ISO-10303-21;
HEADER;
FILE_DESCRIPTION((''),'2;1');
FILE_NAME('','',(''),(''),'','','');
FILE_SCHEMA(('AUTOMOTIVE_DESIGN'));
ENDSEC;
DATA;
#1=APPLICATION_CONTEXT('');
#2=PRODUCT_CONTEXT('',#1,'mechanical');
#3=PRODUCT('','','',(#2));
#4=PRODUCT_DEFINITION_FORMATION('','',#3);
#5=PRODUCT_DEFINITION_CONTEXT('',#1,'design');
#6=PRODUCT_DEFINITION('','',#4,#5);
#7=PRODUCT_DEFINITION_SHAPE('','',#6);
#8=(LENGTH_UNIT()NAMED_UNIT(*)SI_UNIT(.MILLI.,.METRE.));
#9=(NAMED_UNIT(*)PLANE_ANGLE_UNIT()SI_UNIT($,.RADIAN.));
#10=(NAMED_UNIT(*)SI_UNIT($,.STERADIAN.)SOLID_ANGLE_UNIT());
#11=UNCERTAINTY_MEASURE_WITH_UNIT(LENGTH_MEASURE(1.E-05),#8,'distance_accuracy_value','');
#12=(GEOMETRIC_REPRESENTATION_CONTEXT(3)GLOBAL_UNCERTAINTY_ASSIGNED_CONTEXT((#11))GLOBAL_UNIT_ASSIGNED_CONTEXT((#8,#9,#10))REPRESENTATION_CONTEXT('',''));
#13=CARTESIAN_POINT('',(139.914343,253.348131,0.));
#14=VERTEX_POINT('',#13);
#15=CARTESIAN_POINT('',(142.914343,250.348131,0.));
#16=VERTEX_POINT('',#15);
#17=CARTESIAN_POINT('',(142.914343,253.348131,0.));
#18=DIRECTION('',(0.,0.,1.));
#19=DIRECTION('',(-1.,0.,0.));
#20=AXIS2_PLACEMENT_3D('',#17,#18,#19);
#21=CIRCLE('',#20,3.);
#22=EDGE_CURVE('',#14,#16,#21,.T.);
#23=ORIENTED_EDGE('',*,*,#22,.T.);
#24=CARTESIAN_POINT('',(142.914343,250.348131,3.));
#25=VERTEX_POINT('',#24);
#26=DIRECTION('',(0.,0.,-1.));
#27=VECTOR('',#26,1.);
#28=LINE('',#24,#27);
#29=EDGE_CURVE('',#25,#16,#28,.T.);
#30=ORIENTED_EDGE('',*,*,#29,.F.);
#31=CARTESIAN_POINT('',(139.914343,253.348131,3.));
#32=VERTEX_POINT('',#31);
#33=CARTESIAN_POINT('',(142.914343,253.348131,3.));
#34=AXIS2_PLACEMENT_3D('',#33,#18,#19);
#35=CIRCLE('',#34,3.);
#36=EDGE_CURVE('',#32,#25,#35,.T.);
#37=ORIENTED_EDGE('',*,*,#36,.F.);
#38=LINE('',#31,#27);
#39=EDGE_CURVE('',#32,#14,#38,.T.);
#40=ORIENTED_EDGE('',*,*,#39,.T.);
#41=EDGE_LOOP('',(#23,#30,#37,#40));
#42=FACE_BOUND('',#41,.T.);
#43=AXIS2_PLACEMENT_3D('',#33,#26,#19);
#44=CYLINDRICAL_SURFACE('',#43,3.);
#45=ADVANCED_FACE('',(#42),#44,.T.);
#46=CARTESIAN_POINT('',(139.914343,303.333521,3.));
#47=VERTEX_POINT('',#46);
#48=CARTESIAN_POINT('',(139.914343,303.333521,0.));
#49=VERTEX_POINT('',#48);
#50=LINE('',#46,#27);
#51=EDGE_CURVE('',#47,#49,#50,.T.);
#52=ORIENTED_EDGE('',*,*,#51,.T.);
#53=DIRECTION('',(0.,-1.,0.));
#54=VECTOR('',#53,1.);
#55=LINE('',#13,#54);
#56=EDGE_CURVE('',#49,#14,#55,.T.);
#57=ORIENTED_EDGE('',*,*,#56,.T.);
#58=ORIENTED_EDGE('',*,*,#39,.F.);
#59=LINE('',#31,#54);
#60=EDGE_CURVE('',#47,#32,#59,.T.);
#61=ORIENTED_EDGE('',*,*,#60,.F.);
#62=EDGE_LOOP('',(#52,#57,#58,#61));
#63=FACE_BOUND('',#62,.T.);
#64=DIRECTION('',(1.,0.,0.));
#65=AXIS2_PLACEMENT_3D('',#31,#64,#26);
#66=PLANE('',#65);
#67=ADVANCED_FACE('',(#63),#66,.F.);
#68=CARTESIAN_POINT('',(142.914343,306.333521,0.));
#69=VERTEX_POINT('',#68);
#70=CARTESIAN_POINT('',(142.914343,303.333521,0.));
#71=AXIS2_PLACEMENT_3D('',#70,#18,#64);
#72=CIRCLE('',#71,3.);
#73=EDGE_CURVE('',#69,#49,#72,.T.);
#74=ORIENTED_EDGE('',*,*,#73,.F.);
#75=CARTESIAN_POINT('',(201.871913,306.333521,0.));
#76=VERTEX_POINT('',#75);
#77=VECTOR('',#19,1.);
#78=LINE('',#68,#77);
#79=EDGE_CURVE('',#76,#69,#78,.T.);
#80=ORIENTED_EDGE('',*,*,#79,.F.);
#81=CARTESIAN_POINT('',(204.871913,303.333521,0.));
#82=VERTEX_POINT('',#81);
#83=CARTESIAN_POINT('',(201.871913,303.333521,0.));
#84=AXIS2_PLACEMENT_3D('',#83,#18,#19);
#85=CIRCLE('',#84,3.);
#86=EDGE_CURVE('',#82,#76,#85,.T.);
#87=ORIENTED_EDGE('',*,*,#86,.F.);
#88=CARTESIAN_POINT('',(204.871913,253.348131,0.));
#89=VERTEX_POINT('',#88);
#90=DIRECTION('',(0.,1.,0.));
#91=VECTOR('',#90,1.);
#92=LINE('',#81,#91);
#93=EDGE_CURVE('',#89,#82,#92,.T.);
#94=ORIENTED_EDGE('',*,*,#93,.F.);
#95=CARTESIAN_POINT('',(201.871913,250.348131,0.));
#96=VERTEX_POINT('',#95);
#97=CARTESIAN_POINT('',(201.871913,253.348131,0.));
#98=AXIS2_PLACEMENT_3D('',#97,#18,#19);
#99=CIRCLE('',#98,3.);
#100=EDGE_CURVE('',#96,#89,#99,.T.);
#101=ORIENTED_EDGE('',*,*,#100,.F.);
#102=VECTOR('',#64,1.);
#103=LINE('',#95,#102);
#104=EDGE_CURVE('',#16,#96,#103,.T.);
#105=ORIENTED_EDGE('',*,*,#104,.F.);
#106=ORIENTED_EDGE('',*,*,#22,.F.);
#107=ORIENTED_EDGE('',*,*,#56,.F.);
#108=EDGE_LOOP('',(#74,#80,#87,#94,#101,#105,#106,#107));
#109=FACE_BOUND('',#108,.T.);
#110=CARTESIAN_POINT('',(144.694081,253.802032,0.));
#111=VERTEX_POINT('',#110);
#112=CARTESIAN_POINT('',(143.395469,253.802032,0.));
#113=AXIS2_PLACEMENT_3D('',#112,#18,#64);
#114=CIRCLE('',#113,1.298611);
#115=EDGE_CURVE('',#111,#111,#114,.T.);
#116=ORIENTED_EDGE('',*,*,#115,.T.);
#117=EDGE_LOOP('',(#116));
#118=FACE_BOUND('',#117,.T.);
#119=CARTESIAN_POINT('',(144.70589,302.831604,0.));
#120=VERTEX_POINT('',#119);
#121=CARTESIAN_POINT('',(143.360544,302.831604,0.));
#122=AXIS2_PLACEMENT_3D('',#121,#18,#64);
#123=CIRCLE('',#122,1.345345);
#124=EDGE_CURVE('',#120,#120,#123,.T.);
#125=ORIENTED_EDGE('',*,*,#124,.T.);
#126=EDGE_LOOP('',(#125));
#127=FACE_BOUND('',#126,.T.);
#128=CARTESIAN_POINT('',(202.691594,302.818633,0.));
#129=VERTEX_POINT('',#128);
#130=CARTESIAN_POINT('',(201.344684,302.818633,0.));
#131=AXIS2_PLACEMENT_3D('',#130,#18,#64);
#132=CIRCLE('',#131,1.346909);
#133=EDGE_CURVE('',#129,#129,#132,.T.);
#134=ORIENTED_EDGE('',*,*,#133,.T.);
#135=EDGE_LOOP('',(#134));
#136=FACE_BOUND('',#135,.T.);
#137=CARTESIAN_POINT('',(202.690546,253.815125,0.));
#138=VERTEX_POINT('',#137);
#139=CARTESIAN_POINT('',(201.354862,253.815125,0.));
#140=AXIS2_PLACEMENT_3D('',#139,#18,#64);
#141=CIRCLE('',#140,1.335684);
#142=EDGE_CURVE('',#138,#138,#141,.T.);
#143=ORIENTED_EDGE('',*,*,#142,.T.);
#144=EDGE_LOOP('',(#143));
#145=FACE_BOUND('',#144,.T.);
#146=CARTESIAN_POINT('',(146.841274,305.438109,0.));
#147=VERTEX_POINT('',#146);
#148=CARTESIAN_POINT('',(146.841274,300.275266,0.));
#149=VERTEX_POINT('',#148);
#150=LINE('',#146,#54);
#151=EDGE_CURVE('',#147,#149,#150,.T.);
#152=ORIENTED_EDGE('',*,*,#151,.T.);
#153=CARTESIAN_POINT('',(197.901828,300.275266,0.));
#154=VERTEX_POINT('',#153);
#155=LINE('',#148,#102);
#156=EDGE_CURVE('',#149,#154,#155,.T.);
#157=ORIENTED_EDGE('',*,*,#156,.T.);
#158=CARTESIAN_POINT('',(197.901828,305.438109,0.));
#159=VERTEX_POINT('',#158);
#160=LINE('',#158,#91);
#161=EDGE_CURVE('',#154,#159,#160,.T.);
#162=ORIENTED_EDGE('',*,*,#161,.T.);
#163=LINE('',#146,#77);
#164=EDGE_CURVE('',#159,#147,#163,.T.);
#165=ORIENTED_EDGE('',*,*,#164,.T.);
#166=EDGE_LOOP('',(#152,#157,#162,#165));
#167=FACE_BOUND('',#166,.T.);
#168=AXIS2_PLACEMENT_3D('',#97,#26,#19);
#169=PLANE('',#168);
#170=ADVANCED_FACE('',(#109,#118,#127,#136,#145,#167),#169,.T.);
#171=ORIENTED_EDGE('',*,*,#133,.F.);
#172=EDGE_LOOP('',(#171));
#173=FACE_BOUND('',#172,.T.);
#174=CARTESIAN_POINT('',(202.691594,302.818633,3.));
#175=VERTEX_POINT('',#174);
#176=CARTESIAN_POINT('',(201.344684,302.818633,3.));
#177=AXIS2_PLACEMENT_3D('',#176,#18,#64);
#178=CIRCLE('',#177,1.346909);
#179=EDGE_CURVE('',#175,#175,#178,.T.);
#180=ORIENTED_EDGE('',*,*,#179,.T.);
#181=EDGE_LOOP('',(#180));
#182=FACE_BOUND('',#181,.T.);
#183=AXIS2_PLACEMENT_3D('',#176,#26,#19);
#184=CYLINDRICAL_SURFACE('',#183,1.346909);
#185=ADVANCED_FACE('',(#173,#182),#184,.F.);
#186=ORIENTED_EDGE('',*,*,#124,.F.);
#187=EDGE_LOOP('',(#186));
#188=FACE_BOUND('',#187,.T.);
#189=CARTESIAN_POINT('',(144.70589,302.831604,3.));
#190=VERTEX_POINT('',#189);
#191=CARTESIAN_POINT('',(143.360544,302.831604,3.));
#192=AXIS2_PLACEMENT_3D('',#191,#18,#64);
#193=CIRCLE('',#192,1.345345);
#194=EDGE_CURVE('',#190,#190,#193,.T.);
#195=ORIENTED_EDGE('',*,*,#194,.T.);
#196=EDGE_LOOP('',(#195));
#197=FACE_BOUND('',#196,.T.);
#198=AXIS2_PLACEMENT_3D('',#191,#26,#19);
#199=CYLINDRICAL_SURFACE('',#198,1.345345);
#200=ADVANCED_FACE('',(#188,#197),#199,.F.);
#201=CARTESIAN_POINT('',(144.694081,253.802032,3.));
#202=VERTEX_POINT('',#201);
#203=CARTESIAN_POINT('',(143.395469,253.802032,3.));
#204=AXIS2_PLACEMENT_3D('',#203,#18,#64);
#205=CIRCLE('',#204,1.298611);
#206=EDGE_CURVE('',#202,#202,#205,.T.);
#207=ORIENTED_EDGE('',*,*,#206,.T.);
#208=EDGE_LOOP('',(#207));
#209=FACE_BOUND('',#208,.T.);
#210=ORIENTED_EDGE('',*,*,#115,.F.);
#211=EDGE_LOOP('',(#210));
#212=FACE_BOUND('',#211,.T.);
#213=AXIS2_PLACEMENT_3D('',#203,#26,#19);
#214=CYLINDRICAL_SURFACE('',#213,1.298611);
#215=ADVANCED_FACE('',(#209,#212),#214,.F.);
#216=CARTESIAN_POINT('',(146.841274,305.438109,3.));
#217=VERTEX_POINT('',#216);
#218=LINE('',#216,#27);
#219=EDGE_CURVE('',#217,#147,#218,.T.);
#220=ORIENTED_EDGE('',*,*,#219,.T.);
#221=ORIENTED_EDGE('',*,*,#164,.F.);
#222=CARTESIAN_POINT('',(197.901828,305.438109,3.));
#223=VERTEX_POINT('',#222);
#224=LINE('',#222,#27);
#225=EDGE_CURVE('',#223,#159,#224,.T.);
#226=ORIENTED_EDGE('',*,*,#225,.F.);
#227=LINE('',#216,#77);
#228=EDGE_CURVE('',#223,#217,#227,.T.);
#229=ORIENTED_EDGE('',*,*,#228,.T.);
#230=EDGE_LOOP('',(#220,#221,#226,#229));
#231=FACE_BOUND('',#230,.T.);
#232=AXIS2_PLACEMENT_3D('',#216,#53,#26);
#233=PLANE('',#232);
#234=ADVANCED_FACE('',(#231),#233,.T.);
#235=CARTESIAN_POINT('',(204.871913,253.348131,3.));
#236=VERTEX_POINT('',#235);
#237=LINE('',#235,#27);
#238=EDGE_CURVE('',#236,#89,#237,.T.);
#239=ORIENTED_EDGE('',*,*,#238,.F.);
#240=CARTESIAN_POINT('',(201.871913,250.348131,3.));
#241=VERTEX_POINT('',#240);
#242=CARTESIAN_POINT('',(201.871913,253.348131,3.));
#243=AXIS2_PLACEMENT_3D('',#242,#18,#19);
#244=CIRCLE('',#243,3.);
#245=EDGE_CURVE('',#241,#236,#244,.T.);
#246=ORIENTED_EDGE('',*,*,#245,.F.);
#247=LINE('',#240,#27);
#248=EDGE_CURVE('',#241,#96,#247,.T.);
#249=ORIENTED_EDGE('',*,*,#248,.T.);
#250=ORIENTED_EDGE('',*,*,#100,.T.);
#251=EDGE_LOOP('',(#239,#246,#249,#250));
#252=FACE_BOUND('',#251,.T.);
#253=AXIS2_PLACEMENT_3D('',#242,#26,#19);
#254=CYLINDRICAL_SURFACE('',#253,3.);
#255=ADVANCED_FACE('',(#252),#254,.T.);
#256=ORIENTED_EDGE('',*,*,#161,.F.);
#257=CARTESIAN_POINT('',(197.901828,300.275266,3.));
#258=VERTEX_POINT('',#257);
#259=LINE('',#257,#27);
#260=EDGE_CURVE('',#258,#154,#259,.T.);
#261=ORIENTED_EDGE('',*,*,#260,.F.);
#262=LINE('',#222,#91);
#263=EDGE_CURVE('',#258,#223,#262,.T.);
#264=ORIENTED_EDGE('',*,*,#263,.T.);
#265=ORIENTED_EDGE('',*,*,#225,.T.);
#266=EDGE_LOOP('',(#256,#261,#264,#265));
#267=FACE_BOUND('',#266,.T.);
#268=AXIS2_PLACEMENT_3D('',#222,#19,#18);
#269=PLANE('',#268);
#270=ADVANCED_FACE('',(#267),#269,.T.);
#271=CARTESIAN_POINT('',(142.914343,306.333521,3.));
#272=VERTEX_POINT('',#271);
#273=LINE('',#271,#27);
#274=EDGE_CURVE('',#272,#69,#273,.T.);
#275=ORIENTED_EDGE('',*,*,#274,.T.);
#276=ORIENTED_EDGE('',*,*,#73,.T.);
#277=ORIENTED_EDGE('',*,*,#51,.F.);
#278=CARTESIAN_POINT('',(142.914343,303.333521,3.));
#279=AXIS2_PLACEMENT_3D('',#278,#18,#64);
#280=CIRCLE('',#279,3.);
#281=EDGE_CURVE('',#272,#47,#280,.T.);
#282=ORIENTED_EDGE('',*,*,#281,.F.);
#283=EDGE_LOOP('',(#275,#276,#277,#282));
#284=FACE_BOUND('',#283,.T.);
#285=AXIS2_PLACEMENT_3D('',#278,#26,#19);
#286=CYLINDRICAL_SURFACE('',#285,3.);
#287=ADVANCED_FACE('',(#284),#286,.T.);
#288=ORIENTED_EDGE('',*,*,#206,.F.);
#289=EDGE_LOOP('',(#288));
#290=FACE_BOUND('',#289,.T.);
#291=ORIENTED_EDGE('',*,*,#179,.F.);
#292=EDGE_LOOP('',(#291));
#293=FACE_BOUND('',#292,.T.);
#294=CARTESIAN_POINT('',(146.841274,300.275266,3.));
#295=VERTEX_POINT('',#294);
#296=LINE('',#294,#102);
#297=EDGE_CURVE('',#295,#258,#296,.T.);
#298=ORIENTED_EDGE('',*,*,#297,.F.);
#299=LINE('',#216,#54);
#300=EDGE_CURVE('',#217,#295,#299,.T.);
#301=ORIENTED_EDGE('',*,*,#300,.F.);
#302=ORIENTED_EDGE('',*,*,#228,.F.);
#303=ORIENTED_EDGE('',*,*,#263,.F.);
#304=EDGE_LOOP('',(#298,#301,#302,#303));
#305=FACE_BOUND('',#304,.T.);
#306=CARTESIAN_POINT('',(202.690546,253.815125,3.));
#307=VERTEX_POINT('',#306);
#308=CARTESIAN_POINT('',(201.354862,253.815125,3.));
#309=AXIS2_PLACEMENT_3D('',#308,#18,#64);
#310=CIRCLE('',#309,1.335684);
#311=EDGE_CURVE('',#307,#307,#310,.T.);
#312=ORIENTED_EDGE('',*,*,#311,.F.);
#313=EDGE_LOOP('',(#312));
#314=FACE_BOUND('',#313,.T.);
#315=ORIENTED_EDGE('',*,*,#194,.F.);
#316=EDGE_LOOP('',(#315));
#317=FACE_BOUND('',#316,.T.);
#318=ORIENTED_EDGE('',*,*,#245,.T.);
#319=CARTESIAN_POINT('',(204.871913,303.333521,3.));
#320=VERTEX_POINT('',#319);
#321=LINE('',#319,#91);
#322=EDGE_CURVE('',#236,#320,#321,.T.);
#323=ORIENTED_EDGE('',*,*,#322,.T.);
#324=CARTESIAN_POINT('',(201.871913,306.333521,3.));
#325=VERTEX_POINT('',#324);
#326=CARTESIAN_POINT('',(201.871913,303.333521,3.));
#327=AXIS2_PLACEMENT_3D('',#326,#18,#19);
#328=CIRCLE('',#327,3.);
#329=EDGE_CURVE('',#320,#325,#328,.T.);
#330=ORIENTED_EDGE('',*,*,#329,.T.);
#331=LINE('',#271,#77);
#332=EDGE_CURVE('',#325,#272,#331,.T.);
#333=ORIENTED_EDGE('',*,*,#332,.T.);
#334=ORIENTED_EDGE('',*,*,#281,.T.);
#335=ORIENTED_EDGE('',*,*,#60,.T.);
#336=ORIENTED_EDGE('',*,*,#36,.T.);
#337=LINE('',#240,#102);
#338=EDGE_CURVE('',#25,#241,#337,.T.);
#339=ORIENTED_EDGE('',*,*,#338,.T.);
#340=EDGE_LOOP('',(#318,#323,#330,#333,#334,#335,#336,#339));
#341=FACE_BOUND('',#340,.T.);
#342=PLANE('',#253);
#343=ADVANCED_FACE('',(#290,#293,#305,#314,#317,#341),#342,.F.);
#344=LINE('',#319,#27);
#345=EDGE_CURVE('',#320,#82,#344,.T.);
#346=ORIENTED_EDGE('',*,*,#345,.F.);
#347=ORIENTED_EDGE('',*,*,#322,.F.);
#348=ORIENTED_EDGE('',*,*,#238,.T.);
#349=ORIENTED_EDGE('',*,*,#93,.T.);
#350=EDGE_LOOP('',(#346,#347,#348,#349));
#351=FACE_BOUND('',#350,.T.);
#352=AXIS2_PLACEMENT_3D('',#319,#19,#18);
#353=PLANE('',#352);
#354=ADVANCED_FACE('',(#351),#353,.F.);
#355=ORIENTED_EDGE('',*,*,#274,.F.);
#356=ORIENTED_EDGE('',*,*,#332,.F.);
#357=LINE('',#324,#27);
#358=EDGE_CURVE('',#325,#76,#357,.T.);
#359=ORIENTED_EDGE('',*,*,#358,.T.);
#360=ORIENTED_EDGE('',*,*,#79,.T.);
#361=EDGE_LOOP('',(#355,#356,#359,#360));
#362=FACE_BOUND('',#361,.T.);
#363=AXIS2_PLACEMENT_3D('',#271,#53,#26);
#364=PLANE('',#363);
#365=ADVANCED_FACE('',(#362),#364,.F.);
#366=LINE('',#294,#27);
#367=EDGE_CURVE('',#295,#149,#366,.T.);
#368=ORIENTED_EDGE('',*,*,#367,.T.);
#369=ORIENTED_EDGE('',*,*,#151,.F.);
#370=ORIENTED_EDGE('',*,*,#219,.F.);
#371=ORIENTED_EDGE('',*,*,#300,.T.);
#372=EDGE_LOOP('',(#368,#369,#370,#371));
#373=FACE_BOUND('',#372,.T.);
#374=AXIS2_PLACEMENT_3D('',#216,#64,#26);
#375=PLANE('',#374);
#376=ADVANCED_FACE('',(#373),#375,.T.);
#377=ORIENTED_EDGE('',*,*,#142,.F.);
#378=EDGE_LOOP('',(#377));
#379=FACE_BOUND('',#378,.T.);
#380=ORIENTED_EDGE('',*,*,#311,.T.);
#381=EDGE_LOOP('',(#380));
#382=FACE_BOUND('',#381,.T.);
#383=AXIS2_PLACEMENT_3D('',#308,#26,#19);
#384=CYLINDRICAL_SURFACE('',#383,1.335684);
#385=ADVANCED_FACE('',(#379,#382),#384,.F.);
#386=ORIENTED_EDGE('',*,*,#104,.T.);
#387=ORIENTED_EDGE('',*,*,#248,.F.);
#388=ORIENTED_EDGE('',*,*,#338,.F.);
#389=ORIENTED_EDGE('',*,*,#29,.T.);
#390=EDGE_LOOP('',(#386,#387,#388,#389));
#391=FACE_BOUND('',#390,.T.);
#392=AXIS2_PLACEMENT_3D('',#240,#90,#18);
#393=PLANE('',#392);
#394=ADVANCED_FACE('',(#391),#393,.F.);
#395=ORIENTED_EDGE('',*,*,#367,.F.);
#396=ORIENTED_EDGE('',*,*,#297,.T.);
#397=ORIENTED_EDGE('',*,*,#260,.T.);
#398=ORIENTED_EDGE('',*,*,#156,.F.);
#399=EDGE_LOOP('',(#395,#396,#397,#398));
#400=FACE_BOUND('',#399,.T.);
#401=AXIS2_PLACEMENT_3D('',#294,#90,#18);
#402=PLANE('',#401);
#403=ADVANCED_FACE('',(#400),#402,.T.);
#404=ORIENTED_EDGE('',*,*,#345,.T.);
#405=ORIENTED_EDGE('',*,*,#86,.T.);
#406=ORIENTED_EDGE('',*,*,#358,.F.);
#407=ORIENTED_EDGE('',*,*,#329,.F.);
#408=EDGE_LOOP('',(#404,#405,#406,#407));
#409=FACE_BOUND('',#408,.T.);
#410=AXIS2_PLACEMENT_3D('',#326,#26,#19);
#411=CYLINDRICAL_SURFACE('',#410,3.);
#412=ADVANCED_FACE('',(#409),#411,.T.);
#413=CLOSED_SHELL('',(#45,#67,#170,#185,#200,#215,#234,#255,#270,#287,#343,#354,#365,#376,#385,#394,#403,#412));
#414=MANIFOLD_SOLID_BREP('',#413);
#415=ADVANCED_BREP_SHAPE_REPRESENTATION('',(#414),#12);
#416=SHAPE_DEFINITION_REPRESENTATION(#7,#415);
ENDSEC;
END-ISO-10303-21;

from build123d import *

# Parameters (mm, degrees)
ESQUISSE1_R        = 1.345345221
ESQUISSE1_R_2      = 1.346909221
ESQUISSE1_R_3      = 1.298611316
ESQUISSE1_R_4      = 1.335683761
ESQUISSE1_W        = 51.06055426
ESQUISSE1_H        = 5.162843369
BOSS_EXTRU_1_DEPTH = 3


with BuildPart() as part:
    # Esquisse1 → Boss.-Extru.1 (new body)
    with BuildSketch(Plane.XY):
        with BuildLine():
            Line((142.914343154, 306.333520822), (201.871913252, 306.333520822))
            ThreePointArc((201.871913252, 306.333520822), (203.993233595, 305.454841166), (204.871913252, 303.333520822))
            Line((204.871913252, 303.333520822), (204.871913252, 253.348131253))
            ThreePointArc((204.871913252, 253.348131253), (203.993233595, 251.22681091), (201.871913252, 250.348131253))
            Line((201.871913252, 250.348131253), (142.914343154, 250.348131253))
            ThreePointArc((142.914343154, 250.348131253), (140.793022811, 251.22681091), (139.914343154, 253.348131253))
            Line((139.914343154, 253.348131253), (139.914343154, 303.333520822))
            ThreePointArc((139.914343154, 303.333520822), (140.793022811, 305.454841166), (142.914343154, 306.333520822))
        make_face()
        with Locations((143.360544481, 302.831604494)):
            Circle(ESQUISSE1_R, mode=Mode.SUBTRACT)
        with Locations((201.344684378, 302.818633302)):
            Circle(ESQUISSE1_R_2, mode=Mode.SUBTRACT)
        with Locations((143.395469299, 253.802031827)):
            Circle(ESQUISSE1_R_3, mode=Mode.SUBTRACT)
        with Locations((201.354862046, 253.815125268)):
            Circle(ESQUISSE1_R_4, mode=Mode.SUBTRACT)
        with Locations((172.371550879, 302.856687584)):
            Rectangle(ESQUISSE1_W, ESQUISSE1_H, mode=Mode.SUBTRACT)
    extrude(amount=BOSS_EXTRU_1_DEPTH)


solid = part.part
